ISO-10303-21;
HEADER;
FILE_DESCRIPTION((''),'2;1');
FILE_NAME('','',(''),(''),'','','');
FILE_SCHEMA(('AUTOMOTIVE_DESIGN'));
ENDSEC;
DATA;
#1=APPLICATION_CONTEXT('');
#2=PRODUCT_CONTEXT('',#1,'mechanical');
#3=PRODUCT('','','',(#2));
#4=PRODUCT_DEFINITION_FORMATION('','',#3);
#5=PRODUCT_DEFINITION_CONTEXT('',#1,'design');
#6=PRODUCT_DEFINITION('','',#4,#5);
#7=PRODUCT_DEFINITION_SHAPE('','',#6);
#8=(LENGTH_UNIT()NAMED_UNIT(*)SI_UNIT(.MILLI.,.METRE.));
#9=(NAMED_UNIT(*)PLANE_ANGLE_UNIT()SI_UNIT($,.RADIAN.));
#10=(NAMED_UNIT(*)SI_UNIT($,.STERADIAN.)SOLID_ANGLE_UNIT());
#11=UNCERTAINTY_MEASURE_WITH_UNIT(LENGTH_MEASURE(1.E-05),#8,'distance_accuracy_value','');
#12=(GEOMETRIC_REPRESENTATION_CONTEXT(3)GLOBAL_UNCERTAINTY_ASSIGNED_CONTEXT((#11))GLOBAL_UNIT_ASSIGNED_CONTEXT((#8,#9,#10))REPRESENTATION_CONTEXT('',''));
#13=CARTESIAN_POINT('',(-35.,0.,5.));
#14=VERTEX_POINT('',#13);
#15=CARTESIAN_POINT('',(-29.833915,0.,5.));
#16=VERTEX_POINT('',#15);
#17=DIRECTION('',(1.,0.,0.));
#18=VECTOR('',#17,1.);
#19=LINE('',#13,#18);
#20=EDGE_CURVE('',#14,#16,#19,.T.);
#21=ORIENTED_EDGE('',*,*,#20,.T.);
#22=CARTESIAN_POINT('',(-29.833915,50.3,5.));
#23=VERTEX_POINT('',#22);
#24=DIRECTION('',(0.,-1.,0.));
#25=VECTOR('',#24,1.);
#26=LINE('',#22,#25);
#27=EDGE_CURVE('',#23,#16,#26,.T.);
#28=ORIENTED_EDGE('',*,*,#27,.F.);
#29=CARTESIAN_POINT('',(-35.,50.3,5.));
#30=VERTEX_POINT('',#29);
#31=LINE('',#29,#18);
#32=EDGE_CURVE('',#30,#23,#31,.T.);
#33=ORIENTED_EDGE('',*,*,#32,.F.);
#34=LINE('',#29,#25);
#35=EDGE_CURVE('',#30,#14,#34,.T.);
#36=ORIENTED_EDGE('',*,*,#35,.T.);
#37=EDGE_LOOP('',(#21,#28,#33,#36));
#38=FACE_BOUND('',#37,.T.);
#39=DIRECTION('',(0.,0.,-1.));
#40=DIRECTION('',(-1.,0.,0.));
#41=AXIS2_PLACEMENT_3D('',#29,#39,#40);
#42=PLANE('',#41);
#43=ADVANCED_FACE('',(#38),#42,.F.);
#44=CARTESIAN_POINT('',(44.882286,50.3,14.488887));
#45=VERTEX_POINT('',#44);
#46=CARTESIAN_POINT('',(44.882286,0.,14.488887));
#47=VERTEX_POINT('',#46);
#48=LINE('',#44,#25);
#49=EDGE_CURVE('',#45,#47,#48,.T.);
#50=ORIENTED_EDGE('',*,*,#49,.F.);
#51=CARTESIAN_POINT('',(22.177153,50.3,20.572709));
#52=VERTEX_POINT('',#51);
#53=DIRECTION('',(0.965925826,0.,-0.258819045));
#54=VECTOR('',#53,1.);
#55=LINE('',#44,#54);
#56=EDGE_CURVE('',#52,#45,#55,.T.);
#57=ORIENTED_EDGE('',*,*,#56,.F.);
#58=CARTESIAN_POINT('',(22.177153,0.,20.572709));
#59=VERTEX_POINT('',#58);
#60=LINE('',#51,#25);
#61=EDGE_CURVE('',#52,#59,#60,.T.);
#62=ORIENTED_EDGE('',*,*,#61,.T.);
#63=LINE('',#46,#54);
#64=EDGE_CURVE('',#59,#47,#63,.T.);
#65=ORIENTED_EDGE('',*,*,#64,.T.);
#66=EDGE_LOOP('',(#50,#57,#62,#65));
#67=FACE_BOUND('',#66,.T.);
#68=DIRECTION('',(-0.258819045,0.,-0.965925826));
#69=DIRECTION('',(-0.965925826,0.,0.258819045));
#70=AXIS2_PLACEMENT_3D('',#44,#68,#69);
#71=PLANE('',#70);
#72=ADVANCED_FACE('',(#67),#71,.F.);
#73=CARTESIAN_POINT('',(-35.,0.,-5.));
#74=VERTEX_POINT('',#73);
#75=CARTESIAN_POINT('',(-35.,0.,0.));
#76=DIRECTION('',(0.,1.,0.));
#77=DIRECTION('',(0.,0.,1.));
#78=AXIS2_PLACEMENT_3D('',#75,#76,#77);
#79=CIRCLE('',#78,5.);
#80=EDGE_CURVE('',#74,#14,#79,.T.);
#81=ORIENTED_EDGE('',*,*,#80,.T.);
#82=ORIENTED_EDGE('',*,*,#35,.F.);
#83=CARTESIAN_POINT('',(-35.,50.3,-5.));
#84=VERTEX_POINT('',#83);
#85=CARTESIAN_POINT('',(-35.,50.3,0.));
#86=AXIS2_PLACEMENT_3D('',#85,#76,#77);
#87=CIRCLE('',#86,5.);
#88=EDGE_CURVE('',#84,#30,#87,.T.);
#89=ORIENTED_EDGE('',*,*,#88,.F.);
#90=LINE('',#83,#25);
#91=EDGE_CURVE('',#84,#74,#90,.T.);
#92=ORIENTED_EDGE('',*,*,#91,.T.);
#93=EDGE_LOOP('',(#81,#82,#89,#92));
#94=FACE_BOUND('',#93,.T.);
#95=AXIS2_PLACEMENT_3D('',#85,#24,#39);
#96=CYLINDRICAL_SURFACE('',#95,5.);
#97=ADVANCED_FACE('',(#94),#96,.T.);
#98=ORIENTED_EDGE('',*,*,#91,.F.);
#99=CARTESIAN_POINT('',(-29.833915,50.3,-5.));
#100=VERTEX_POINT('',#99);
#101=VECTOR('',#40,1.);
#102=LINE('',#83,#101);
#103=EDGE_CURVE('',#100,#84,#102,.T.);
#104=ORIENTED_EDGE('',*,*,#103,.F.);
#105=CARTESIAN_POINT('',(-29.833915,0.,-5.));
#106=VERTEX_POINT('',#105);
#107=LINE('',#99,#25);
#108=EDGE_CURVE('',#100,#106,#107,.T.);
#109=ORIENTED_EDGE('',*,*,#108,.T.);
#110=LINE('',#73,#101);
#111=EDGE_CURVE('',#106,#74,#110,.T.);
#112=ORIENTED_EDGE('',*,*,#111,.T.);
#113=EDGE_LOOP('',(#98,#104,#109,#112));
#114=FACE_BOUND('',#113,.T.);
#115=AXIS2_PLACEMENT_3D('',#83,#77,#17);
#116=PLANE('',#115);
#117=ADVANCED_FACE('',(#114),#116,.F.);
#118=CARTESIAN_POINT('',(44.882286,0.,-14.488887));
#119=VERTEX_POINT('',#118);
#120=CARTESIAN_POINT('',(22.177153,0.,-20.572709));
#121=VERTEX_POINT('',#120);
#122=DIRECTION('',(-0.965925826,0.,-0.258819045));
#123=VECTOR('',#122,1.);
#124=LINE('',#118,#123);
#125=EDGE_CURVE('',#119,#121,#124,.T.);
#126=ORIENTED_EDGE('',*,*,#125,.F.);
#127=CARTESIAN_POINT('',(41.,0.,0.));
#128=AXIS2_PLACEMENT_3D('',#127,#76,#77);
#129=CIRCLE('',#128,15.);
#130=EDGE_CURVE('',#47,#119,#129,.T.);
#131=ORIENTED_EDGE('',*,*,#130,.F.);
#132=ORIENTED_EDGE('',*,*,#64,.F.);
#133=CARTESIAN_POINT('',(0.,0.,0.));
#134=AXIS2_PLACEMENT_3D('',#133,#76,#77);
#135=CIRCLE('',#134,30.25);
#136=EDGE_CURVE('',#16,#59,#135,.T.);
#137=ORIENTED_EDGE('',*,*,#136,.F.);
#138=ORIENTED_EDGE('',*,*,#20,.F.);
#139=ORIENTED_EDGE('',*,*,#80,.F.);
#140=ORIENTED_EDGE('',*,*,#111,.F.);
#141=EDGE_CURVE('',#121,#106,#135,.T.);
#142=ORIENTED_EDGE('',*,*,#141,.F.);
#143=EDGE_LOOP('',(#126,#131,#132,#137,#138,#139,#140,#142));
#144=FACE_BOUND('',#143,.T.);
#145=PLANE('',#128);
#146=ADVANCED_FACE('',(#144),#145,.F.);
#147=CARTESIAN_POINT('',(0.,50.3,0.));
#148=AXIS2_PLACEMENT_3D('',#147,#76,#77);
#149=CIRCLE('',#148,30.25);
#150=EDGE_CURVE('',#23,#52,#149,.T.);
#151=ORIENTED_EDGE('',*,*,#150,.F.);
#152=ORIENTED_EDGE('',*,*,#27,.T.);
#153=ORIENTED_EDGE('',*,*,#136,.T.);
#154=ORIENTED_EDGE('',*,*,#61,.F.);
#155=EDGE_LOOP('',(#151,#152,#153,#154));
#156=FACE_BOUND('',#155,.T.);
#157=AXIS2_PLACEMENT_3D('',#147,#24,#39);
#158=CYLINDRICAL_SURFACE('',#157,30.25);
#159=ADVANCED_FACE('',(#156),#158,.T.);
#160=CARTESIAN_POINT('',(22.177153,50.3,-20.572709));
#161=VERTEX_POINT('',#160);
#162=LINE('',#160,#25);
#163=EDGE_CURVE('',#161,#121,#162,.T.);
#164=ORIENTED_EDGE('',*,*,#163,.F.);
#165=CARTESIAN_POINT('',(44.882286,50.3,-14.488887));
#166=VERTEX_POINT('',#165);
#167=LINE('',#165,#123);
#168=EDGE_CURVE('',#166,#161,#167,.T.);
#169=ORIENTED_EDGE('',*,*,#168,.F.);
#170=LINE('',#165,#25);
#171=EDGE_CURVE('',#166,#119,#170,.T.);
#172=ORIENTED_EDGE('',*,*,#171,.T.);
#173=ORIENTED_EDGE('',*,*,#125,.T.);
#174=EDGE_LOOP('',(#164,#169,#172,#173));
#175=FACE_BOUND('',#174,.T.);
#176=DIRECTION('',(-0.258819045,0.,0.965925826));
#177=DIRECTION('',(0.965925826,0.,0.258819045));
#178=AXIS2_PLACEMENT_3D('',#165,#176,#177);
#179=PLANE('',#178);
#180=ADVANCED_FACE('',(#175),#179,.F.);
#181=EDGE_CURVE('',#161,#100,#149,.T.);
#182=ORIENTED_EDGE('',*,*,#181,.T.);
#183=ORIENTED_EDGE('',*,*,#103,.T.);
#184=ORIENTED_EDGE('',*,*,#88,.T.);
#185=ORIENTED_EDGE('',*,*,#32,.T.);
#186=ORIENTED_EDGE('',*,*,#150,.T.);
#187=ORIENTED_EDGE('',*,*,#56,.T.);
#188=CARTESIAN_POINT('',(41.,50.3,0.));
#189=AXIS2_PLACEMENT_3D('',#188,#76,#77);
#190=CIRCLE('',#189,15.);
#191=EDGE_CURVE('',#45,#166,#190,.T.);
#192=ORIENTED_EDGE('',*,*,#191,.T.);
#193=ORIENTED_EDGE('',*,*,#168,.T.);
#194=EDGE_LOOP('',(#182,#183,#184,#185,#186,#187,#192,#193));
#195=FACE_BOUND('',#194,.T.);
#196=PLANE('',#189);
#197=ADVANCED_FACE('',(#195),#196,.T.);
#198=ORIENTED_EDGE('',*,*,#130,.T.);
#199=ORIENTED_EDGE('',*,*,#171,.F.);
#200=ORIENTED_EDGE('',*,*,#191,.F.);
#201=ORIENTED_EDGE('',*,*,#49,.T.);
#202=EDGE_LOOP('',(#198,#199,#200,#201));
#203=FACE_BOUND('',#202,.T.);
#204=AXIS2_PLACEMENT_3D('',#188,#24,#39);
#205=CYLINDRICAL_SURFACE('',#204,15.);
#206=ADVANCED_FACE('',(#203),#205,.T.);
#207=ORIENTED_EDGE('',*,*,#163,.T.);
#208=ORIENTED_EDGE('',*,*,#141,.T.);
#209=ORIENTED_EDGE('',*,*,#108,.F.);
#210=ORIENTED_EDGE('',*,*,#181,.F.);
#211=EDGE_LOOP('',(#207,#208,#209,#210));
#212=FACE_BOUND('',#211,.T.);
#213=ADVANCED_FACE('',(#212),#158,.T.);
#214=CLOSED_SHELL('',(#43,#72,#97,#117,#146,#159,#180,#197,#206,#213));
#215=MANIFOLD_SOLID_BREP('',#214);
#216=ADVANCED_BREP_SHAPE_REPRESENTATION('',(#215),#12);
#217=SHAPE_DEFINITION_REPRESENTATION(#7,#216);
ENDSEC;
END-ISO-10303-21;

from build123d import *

# Parameters (mm, degrees)
BOSS_EXTRUDE1_DEPTH = 50.3


with BuildPart() as part:
    # Sketch1 → Boss-Extrude1 (new body)
    with BuildSketch(Plane(origin=(0, 0, 0), x_dir=(1, 0, 0), z_dir=(0, 1, 0))):
        with BuildLine():
            Line((-35, 5), (-29.833915264, 5))
            ThreePointArc((-29.833915264, 5), (-8.676624846, 28.97893513), (22.177153433, 20.572709243))
            Line((22.177153433, 20.572709243), (44.882285677, 14.488887394))
            ThreePointArc((44.882285677, 14.488887394), (56, 0), (44.882285677, -14.488887394))
            Line((44.882285677, -14.488887394), (22.177153433, -20.572709243))
            ThreePointArc((22.177153433, -20.572709243), (-8.676624846, -28.97893513), (-29.833915264, -5))
            Line((-29.833915264, -5), (-35, -5))
            ThreePointArc((-35, -5), (-40, 0), (-35, 5))
        make_face()
    extrude(amount=BOSS_EXTRUDE1_DEPTH)


solid = part.part
